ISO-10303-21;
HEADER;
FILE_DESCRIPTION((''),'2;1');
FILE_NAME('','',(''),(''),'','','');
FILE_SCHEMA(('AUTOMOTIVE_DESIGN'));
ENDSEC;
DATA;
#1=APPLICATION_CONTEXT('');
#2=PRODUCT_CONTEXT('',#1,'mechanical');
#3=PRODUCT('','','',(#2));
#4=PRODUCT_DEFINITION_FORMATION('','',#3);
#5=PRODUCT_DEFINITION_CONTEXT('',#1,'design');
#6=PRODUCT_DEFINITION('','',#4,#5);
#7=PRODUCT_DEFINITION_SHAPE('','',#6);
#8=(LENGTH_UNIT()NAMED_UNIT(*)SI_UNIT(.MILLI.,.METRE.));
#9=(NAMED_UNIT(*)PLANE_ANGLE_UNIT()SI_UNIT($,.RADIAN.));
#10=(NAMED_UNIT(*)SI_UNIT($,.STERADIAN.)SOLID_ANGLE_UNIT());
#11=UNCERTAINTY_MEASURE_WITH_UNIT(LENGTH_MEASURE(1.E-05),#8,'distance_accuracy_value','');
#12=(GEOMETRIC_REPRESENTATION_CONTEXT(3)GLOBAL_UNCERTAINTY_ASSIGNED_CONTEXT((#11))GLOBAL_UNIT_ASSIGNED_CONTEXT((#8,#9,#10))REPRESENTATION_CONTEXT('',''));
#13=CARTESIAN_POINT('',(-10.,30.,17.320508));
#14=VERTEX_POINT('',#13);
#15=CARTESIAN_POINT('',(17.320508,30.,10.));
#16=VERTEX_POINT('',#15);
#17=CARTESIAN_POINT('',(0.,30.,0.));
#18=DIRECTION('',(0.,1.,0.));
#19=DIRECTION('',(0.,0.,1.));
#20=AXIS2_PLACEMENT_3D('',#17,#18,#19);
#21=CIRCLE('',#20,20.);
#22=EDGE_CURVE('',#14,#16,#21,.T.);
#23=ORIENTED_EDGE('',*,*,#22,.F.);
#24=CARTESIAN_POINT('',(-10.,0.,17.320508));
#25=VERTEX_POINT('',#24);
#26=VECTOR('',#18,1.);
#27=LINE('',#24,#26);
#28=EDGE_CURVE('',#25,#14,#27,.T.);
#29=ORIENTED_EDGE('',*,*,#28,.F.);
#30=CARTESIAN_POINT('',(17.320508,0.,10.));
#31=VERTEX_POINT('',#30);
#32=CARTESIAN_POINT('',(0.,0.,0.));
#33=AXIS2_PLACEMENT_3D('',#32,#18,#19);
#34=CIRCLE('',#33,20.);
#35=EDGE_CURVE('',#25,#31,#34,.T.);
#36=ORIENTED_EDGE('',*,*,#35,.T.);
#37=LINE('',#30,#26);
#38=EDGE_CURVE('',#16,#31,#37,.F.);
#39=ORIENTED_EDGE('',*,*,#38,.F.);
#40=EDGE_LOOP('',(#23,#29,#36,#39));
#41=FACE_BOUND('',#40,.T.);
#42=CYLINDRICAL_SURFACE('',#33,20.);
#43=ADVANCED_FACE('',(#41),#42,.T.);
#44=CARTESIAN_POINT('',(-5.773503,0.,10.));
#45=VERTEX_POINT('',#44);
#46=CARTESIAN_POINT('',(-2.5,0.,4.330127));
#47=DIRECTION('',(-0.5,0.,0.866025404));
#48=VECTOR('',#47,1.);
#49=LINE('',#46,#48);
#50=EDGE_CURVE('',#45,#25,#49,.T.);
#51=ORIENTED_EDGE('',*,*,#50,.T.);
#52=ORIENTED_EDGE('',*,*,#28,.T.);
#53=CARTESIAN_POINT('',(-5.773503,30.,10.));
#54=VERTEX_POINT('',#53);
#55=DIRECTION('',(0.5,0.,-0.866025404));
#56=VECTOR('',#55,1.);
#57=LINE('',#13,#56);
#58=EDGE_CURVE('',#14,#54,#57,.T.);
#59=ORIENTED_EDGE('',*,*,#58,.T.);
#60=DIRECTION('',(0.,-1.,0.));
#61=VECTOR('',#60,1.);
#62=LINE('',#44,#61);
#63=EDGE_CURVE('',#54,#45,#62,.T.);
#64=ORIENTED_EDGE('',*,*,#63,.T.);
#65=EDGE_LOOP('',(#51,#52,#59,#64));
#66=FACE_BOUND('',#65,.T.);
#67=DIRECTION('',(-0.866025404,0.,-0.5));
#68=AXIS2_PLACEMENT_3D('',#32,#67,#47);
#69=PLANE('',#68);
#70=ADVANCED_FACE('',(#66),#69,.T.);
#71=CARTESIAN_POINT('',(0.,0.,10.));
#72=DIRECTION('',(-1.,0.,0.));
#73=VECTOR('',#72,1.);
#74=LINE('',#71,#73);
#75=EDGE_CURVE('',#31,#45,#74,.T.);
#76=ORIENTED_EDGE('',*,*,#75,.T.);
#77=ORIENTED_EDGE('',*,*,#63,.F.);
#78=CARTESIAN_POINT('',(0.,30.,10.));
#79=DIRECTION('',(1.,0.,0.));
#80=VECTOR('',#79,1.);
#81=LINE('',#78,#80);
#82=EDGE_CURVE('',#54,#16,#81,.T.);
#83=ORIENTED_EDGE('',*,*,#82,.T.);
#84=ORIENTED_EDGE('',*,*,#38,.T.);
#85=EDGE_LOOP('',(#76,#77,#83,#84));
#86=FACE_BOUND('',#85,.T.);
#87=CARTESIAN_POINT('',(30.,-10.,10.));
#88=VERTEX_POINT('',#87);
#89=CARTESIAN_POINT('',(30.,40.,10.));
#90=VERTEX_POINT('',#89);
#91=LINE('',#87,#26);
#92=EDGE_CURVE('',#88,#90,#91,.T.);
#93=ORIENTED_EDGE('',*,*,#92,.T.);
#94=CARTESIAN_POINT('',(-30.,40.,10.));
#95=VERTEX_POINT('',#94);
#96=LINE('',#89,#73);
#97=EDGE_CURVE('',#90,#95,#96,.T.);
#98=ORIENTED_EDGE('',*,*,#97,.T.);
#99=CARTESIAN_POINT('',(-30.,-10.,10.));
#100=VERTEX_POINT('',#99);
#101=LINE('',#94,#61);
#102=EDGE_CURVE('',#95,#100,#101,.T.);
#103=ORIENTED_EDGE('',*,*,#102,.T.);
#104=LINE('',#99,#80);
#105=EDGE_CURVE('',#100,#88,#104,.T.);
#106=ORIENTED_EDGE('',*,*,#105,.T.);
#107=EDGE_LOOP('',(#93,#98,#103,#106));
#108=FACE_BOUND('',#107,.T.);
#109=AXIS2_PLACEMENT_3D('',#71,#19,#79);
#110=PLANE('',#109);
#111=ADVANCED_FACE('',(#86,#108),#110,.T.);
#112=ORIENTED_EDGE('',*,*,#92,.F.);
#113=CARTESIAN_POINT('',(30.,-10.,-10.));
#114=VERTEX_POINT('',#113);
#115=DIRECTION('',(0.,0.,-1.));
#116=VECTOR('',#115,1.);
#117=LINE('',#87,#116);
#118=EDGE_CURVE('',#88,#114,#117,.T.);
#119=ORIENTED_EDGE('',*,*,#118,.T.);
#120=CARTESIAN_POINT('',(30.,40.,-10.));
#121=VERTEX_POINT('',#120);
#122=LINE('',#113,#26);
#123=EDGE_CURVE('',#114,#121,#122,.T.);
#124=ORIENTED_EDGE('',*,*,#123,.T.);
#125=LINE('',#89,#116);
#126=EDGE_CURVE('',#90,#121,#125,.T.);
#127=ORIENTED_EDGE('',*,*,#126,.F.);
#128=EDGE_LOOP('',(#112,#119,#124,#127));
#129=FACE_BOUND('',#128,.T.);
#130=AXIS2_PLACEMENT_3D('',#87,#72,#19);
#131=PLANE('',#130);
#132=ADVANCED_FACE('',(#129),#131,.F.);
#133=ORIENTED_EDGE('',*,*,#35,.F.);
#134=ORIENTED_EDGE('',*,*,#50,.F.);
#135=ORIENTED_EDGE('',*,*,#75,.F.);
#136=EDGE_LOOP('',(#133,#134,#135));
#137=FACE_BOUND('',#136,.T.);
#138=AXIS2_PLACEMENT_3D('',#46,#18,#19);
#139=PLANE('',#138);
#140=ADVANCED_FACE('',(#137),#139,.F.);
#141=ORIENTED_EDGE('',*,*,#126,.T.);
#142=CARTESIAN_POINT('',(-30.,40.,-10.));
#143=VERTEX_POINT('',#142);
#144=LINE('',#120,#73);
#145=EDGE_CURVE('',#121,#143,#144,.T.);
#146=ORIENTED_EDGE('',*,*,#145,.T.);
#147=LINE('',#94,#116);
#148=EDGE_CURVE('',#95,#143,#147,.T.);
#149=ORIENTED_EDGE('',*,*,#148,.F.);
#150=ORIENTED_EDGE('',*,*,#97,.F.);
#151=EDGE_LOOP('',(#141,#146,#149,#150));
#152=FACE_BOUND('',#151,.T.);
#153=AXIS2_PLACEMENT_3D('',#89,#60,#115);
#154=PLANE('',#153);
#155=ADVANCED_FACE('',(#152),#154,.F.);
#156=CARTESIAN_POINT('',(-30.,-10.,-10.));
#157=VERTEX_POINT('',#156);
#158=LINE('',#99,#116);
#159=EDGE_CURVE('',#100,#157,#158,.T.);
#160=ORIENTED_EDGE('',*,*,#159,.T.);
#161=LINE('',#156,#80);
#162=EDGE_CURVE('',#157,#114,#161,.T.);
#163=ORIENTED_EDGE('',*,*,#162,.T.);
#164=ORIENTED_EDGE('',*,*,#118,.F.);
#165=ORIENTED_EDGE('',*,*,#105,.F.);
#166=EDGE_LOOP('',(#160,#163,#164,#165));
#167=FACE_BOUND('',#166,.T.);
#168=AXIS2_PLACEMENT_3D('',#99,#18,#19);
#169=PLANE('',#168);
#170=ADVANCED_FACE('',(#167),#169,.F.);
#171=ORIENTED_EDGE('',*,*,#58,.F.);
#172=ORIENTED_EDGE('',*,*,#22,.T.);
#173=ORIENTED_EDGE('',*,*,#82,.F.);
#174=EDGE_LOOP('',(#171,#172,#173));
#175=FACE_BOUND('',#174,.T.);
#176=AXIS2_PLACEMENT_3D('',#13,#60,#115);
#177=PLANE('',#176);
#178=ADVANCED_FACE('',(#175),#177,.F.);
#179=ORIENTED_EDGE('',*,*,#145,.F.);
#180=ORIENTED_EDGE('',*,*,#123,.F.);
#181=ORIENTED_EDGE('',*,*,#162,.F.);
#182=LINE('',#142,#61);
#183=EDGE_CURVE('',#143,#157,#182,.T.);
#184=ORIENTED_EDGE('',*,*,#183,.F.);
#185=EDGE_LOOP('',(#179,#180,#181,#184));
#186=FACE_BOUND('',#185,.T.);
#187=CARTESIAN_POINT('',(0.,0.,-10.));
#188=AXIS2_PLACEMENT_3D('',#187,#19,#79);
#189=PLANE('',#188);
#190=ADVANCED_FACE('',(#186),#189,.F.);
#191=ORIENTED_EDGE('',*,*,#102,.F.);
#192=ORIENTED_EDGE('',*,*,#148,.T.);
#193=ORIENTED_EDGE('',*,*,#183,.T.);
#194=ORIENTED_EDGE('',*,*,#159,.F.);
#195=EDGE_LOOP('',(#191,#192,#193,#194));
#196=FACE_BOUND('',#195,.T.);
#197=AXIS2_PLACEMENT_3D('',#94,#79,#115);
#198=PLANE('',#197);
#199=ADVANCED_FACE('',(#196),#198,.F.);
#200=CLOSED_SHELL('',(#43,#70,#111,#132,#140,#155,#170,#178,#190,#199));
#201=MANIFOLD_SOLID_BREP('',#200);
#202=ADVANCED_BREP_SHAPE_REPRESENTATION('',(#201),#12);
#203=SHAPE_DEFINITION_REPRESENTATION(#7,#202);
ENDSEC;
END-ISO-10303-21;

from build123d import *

# Parameters (mm, degrees)
SKETCH1_W           = 60
SKETCH1_H           = 50
BOSS_EXTRUDE1_DEPTH = 10
SKETCH2_W           = 15
SKETCH2_H           = 30
REVOLVE1_ANGLE      = 120


with BuildPart() as part:
    # Sketch1 → Boss-Extrude1 (new, symmetric)
    with BuildSketch(Plane.XY):
        with Locations((0, 15)):
            Rectangle(SKETCH1_W, SKETCH1_H)
    extrude(amount=BOSS_EXTRUDE1_DEPTH, both=True)

    # Sketch2 → Revolve1 (revolve)
    with BuildSketch(Plane.XY):
        with Locations((12.5, 15)):
            Rectangle(SKETCH2_W, SKETCH2_H)
    revolve(axis=Axis((0, 0, 0), (0, -1, 0)), revolution_arc=REVOLVE1_ANGLE)


solid = part.part
